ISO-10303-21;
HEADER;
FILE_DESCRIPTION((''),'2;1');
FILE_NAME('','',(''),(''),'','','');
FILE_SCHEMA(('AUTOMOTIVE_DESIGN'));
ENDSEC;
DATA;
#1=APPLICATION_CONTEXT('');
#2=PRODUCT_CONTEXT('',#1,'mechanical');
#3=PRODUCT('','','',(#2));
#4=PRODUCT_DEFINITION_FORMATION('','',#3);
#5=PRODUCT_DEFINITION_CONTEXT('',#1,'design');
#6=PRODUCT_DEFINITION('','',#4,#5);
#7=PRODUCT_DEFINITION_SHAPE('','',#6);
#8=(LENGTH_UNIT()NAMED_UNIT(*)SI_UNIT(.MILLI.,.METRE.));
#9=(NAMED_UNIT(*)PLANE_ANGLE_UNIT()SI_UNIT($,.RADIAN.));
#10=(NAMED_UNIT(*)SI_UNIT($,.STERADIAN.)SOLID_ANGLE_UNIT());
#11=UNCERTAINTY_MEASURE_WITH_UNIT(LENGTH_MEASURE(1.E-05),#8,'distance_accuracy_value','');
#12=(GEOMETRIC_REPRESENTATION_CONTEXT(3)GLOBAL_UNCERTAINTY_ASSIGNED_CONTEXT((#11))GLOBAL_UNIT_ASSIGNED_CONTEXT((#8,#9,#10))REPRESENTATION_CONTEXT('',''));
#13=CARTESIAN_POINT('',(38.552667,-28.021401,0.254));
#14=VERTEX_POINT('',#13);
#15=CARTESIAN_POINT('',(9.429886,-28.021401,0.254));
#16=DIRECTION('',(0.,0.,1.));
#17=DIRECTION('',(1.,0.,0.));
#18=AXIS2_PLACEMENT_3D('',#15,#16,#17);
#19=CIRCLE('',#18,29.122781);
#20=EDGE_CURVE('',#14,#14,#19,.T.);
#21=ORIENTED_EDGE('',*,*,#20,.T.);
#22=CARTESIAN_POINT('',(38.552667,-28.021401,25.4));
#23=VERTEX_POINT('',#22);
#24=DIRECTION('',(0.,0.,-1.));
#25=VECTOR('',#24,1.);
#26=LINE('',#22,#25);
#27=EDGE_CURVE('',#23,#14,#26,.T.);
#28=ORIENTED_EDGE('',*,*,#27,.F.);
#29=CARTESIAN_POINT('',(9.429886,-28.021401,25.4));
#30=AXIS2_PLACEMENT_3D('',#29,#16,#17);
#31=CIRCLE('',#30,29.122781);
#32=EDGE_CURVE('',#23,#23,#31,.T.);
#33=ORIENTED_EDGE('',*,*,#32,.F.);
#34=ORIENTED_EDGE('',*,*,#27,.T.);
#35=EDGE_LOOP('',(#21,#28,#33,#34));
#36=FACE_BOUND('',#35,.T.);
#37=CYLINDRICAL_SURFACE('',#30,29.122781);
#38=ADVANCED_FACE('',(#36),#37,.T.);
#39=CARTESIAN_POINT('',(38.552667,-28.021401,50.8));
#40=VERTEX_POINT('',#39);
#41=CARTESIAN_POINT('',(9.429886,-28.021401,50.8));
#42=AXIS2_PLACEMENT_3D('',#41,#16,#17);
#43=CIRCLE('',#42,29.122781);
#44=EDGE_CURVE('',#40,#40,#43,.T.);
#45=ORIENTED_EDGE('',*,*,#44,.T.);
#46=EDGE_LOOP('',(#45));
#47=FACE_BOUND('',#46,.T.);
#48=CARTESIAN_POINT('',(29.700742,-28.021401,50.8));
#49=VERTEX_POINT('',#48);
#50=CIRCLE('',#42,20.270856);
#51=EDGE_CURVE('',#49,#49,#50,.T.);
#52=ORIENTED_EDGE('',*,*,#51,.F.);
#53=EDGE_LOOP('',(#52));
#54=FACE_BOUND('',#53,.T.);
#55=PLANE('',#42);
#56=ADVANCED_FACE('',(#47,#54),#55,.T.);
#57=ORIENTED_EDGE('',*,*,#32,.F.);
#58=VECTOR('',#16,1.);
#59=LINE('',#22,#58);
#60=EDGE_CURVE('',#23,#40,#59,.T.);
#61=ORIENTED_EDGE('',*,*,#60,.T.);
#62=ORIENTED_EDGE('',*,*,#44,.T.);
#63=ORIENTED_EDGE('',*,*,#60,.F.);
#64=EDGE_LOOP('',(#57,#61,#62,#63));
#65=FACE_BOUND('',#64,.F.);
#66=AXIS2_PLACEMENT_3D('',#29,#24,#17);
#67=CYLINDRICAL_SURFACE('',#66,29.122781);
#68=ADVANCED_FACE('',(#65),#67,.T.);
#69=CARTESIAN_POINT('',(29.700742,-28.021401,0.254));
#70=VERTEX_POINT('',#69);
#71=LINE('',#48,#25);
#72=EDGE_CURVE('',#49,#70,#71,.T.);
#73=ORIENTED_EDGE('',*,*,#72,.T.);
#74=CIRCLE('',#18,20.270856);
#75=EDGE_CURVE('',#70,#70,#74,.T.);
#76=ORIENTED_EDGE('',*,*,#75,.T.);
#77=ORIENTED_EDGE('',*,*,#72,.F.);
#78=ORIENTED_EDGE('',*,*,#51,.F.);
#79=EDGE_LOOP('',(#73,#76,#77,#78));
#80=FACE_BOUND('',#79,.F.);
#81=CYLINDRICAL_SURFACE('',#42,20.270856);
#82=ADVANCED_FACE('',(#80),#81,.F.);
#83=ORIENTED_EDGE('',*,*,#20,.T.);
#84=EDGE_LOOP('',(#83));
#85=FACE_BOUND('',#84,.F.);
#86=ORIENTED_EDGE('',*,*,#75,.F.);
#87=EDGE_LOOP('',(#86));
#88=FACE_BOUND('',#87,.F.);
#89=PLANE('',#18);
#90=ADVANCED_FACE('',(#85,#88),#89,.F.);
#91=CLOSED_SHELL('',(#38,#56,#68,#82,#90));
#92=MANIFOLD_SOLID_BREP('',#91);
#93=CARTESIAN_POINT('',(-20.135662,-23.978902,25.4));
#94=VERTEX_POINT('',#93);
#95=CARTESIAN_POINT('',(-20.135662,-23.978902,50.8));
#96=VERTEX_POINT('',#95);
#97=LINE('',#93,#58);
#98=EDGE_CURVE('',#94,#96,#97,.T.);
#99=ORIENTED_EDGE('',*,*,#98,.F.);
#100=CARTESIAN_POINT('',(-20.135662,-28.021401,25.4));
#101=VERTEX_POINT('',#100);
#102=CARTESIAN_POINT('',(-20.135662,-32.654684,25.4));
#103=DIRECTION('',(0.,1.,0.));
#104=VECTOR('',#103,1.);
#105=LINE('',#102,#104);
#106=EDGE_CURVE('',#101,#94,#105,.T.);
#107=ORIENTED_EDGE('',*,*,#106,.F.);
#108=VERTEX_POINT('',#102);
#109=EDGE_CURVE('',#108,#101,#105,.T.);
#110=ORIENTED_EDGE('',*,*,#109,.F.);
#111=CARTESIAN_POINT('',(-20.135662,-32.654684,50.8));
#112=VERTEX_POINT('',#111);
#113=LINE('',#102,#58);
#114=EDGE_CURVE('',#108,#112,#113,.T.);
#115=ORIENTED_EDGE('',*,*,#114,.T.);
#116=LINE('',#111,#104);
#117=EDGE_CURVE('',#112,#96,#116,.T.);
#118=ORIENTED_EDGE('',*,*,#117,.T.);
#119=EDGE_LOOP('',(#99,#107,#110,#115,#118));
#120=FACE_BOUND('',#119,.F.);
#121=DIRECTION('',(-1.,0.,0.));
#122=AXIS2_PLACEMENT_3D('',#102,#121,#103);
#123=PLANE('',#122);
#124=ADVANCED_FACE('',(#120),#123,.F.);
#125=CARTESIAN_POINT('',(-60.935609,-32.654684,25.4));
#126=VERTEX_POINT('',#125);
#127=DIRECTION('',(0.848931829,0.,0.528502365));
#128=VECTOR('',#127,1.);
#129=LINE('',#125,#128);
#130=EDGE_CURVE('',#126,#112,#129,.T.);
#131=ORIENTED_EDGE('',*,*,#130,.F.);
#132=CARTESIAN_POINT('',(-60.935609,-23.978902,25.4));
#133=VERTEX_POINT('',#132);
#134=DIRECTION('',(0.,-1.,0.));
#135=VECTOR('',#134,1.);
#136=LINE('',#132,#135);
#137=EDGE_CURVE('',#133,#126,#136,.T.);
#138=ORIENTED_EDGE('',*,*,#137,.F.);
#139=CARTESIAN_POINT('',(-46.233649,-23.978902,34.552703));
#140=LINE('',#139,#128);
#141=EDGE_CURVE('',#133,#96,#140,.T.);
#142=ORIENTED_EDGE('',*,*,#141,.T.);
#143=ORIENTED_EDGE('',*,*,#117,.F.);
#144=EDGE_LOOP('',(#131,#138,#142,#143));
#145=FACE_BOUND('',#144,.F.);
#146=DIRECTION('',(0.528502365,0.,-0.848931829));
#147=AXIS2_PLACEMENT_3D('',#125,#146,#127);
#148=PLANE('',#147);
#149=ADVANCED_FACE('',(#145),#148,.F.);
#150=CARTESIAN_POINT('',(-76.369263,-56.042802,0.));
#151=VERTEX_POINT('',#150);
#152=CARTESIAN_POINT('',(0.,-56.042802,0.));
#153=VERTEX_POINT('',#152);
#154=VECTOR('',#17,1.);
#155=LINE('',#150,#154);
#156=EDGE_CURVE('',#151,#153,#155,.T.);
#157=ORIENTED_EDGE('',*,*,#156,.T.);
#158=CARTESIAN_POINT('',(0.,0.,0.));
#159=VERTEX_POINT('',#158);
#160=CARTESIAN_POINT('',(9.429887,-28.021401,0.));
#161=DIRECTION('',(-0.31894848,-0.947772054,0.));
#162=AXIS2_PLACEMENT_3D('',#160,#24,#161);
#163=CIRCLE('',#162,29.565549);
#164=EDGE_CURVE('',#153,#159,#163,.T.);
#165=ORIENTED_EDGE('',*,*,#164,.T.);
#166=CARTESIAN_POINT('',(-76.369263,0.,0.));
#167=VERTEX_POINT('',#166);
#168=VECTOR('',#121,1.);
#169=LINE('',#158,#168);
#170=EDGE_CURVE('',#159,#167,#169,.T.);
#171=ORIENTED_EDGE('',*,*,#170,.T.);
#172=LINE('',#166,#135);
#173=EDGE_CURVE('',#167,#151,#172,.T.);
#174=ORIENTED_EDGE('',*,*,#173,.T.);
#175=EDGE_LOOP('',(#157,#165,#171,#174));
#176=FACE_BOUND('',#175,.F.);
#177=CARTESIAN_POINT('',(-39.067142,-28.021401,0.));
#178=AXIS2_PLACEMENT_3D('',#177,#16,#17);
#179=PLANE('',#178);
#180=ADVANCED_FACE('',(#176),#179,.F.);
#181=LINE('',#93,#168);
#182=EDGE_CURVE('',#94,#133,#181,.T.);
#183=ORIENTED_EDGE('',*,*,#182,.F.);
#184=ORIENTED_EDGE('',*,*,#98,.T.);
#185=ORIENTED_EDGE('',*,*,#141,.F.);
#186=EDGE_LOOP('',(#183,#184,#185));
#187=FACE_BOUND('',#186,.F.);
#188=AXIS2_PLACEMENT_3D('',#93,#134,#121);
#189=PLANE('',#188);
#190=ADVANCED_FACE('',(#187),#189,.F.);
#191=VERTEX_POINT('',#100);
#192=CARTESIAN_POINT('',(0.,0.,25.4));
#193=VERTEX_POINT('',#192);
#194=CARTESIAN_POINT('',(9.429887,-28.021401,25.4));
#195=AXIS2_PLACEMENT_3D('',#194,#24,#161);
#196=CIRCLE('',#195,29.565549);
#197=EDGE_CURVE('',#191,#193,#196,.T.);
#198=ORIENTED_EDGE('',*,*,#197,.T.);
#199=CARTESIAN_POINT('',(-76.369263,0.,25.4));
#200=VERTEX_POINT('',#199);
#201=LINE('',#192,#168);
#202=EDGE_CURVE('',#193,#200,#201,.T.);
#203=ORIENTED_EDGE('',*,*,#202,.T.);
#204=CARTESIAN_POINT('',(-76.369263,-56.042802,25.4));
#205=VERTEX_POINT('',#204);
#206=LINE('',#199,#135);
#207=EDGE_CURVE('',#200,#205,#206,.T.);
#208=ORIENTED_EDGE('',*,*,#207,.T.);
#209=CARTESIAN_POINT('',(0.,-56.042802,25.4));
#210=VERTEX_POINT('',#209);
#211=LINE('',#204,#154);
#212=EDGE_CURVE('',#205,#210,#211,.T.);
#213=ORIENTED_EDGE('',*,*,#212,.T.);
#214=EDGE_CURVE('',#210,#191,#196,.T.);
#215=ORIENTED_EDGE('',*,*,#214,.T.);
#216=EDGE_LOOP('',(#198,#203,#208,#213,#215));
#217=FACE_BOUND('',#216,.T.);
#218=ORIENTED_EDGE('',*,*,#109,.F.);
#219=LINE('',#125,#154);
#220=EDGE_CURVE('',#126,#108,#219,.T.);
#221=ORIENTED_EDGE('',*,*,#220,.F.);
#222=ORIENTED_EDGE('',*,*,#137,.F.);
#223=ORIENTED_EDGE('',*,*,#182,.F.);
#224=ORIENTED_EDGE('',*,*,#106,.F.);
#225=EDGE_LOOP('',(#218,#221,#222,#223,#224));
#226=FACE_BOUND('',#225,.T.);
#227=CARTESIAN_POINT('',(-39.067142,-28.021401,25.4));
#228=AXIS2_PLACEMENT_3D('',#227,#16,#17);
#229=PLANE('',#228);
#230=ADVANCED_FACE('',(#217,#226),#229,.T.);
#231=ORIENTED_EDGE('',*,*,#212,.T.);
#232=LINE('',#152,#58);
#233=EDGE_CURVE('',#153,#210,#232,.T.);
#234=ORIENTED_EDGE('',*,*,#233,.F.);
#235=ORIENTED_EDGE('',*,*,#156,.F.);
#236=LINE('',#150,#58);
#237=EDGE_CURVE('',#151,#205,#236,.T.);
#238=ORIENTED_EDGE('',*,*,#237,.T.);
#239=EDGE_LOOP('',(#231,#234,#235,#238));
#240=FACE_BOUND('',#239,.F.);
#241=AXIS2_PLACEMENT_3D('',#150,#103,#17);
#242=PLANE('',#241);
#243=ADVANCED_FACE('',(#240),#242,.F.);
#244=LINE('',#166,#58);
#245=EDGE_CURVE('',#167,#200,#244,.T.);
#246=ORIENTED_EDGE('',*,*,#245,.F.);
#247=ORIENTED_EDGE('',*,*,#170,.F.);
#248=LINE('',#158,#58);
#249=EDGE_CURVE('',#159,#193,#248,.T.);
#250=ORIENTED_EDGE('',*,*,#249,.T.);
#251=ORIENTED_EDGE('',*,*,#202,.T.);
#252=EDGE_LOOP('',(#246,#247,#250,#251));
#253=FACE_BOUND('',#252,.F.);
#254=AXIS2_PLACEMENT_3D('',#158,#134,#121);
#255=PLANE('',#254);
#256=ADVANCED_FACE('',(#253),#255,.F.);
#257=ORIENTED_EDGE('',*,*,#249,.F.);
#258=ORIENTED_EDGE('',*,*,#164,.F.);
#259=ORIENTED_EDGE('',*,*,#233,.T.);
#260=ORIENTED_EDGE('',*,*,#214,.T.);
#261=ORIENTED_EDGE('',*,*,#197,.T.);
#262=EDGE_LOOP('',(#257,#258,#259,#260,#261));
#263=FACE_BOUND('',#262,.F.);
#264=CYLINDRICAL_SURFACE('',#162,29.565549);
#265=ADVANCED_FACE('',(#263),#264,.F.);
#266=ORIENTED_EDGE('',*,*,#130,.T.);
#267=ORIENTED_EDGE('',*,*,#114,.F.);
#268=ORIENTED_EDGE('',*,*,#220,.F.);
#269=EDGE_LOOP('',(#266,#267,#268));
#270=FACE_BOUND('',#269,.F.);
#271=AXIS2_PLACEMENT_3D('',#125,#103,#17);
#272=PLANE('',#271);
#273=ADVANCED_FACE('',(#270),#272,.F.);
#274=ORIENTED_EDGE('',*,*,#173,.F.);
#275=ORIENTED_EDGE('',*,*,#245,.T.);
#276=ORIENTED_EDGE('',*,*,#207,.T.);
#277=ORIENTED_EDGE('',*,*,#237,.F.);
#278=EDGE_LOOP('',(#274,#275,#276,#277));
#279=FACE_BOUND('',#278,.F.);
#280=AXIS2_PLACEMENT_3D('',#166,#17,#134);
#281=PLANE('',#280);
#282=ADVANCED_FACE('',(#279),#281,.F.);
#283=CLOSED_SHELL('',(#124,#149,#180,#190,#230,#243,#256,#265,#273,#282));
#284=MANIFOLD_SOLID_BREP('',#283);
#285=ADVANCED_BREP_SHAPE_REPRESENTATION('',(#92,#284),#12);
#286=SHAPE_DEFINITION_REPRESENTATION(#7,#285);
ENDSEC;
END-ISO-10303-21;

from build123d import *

# Parameters (mm, degrees)
F1_DEPTH  = 25.4
F2_R      = 29.122781
F3_DEPTH  = 25.146
F3_FACE_R = 29.122781
F4_DEPTH  = 25.4
F6_DEPTH  = 25.4
F8_DEPTH  = 47.498
F9_R      = 20.270856
F10_DEPTH = 50.8


with BuildPart() as f1:
    # F0 (on Top) → F1 (new body)
    with BuildSketch(Plane.XY):
        with BuildLine():
            Line((0, 0), (-76.369263, 0))
            Line((-76.369263, 0), (-76.369263, -56.042802))
            Line((-76.369263, -56.042802), (0, -56.042802))
            ThreePointArc((0, -56.042802), (-20.135662, -28.021401), (0, 0))
        make_face()
    extrude(amount=F1_DEPTH)

    # F5 (on face) → F6 (join)
    with BuildSketch(Plane.XY.offset(25.4)):
        Polygon((-20.135662, -23.978902), (-60.935609, -23.978902), (-60.935609, -32.654684), (-20.135662, -32.654684), (-20.135662, -28.021401), align=None)
    extrude(amount=F6_DEPTH)

    # F7 (on face) → F8 (cut)
    with BuildSketch(Plane.XZ.offset(32.654684)):
        Polygon((-60.935609, 50.8), (-60.935609, 25.4), (-20.135662, 50.8), align=None)
    extrude(amount=-F8_DEPTH, mode=Mode.SUBTRACT)


with BuildPart() as f3:
    # F2 (on face) → F3 (new body)
    with BuildSketch(Plane.XY.offset(25.4)):
        with Locations((9.429886, -28.021401)):
            Circle(F2_R)
    extrude(amount=-F3_DEPTH)

    # F3_face (on face) → F4 (join)
    with BuildSketch(Plane(origin=(9.429886, -28.021401, 25.4), x_dir=(1, 0, 0), z_dir=(0, 0, 1))):
        Circle(F3_FACE_R)
    extrude(amount=F4_DEPTH)

    # F9 (on face) → F10 (cut)
    with BuildSketch(Plane.XY.offset(50.8)):
        with Locations((9.429886, -28.021401)):
            Circle(F9_R)
    extrude(amount=-F10_DEPTH, mode=Mode.SUBTRACT)


solid = Compound([f1.part, f3.part])
